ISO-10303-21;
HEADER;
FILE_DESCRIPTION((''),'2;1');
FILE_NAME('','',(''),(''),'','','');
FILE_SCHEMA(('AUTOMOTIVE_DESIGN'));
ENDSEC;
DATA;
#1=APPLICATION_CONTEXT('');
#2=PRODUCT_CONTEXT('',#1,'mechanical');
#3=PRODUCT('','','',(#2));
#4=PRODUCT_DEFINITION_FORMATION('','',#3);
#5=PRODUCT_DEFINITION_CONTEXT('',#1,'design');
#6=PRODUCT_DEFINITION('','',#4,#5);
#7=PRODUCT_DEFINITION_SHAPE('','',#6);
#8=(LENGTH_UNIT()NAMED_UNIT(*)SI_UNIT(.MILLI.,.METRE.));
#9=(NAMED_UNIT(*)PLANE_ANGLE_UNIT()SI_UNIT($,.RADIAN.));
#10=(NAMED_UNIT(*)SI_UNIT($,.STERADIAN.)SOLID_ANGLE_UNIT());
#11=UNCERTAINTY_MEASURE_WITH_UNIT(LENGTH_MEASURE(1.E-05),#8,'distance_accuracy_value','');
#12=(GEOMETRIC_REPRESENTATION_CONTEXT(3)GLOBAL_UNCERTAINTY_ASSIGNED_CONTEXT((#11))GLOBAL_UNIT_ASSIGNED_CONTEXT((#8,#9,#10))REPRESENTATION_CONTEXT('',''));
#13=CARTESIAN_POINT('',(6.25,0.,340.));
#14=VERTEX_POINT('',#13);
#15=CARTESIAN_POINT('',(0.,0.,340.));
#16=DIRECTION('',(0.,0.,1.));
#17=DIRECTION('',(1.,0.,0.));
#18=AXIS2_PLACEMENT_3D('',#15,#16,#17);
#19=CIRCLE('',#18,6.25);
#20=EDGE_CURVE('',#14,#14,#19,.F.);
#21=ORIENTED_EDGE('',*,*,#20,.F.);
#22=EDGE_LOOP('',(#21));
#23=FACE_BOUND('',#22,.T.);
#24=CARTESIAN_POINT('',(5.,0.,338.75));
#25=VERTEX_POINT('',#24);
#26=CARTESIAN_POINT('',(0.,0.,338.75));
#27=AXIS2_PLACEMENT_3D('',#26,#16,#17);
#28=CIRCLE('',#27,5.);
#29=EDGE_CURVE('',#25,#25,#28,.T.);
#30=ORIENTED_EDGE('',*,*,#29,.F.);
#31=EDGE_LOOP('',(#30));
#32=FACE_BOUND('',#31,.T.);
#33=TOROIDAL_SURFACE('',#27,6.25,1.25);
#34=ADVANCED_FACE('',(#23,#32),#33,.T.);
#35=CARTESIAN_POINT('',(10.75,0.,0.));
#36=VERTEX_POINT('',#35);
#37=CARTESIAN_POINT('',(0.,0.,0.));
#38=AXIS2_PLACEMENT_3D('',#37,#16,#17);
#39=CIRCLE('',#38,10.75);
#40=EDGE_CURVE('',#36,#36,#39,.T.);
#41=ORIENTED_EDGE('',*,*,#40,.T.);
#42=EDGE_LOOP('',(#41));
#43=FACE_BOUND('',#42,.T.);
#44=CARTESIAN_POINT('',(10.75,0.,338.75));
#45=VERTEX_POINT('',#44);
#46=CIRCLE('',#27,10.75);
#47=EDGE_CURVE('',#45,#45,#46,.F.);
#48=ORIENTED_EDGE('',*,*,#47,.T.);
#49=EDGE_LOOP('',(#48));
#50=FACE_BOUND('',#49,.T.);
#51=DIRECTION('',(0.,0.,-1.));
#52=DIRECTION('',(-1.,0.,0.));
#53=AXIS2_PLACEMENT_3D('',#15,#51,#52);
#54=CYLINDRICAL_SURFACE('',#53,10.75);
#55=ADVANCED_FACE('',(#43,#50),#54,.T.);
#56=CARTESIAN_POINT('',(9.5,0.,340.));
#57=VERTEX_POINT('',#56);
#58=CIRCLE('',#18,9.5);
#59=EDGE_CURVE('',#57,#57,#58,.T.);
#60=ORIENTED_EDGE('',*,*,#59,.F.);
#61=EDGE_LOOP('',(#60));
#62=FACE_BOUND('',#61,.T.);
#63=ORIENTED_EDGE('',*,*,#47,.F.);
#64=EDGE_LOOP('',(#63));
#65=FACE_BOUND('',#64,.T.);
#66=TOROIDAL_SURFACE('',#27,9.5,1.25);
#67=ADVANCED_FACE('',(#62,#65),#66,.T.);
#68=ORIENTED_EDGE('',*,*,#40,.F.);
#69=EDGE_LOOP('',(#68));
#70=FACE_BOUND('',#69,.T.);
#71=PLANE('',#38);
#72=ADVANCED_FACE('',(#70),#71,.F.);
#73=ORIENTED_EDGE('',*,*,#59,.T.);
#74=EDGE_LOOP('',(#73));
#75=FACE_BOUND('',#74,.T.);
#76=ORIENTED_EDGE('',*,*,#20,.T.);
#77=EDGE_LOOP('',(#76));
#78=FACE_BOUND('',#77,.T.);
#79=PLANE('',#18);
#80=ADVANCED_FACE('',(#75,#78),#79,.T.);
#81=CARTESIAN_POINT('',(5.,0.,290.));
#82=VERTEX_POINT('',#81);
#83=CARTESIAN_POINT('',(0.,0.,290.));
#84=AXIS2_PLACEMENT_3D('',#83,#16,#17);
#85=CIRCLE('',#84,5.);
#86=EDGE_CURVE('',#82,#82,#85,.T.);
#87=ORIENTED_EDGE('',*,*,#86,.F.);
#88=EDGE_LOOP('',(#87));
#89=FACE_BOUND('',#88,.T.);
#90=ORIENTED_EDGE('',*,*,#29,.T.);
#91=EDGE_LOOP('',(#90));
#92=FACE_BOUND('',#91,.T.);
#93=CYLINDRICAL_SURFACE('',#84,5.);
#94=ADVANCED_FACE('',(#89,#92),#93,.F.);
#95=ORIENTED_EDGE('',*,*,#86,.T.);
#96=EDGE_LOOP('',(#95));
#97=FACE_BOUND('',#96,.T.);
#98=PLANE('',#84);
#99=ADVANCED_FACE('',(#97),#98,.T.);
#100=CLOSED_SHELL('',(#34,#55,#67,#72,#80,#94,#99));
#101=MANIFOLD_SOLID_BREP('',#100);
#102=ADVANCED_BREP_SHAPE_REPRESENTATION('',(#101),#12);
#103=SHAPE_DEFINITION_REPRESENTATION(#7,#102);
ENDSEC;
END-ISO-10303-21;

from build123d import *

# Parameters (mm, degrees)
SKETCH1_R           = 2.15
BOSS_EXTRUDE1_DEPTH = 68
SKETCH2_R           = 1
CUT_EXTRUDE1_DEPTH  = 10
FILLET1_R           = 0.25
SCALE1_SCALE        = 5


with BuildPart() as part:
    # Sketch1 → Boss-Extrude1 (new body)
    with BuildSketch(Plane.XY):
        Circle(SKETCH1_R)
    extrude(amount=BOSS_EXTRUDE1_DEPTH)

    # Sketch2 → Cut-Extrude1 (cut)
    with BuildSketch(Plane.XY.offset(68)):
        Circle(SKETCH2_R)
    extrude(amount=-CUT_EXTRUDE1_DEPTH, mode=Mode.SUBTRACT)

    # Fillet1
    fillet1_edges = [part.edges().sort_by_distance(p)[0] for p in [
        (-2.15, 0, 68),
        (-1, 0, 68),
    ]]
    fillet(fillet1_edges, radius=FILLET1_R)


with BuildPart() as part_1:
    # Scale1: scaled about (0, 0, 0)
    add(part.part.scale(SCALE1_SCALE))


solid = part_1.part
